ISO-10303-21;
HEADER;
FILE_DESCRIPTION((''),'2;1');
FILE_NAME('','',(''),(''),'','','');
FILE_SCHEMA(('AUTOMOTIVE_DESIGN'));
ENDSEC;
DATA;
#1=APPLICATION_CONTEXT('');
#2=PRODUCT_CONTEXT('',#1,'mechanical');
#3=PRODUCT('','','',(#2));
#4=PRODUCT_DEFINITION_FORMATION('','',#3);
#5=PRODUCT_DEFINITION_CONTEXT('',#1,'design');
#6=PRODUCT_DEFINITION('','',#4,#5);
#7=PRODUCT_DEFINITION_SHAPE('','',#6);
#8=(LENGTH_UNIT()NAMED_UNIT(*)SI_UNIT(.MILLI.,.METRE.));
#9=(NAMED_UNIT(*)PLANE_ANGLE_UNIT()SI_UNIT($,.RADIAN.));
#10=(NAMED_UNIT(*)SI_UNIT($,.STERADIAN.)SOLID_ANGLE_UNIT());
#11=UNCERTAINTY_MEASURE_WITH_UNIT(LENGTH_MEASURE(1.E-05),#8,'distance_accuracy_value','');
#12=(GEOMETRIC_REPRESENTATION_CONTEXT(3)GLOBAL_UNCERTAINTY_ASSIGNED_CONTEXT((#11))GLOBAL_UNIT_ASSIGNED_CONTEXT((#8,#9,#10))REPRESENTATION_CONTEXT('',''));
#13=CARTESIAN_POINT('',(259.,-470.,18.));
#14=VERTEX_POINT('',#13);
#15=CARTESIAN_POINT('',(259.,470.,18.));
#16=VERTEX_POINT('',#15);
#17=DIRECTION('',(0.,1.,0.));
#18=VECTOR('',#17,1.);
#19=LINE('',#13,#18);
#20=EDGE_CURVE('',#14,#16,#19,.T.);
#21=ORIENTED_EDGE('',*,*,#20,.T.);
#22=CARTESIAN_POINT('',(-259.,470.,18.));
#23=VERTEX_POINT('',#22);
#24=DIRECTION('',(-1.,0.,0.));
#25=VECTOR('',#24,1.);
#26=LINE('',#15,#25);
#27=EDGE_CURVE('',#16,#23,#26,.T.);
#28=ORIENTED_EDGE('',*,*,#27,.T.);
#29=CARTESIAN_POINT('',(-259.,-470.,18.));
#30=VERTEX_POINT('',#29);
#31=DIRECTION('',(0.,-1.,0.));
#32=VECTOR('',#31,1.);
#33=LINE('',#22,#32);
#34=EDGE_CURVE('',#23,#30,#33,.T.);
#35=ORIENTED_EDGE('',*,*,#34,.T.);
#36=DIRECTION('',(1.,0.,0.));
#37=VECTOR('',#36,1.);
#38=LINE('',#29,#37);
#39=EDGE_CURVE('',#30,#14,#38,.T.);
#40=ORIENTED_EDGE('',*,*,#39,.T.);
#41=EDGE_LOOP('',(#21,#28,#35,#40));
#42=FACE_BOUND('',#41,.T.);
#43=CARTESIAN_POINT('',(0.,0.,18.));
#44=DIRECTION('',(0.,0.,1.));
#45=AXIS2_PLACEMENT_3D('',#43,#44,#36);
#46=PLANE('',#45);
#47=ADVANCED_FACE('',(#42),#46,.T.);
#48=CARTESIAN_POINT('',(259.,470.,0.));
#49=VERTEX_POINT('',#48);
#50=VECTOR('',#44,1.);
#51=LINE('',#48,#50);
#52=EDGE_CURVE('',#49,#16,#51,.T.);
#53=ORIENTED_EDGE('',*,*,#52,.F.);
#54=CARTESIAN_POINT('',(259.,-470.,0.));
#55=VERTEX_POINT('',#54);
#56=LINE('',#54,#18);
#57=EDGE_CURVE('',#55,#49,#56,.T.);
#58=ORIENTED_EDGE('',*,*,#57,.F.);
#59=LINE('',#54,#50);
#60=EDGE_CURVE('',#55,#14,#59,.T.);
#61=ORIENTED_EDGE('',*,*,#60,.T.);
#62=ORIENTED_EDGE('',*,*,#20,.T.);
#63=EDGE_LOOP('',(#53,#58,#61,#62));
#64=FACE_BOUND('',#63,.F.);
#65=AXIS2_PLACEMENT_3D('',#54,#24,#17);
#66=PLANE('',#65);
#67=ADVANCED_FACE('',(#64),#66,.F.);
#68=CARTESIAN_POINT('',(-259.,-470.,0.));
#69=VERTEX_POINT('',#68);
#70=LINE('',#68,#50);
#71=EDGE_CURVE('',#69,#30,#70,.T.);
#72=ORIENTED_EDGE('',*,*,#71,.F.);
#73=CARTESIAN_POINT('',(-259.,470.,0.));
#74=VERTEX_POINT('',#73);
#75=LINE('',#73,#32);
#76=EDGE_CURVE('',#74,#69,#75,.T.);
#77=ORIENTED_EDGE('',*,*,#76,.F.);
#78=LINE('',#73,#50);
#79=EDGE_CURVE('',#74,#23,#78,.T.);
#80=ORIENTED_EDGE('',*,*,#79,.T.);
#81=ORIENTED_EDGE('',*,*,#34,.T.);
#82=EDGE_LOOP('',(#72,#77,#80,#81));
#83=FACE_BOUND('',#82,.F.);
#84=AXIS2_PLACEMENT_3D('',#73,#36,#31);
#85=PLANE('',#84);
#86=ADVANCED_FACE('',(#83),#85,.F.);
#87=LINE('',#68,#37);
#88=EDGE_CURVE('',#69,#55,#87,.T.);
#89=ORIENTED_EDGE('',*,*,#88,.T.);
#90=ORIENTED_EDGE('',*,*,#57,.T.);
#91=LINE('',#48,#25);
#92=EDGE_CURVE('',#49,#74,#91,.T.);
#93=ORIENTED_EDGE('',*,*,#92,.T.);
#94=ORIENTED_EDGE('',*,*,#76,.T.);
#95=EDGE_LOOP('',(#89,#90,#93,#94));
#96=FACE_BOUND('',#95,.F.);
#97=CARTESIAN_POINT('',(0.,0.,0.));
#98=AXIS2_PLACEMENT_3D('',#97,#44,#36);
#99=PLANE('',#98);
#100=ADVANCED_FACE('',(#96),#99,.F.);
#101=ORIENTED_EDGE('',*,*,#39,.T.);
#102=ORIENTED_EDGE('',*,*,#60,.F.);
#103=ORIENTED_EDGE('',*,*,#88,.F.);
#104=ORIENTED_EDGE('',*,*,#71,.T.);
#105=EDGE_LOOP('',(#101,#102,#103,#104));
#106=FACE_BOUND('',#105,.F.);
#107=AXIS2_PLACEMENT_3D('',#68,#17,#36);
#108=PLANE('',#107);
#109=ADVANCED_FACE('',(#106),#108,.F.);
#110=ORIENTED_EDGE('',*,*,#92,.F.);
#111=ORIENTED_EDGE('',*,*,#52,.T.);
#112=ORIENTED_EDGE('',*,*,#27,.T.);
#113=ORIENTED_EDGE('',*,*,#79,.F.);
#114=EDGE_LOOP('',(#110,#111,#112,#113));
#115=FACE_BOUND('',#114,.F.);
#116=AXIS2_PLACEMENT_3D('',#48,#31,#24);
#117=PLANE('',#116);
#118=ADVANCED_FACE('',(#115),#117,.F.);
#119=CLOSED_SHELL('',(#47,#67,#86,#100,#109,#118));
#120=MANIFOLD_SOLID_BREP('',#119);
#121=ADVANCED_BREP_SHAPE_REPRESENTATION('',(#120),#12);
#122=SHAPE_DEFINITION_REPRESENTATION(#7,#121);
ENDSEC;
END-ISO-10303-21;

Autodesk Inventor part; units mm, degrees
ref_plane "YZ Plane" through (0, 0, 0) normal (1, 0, 0) x (0, 1, 0)
ref_plane "XZ Plane" through (0, 0, 0) normal (0, 1, 0) x (-1, 0, 0)
ref_plane "XY Plane" through (0, 0, 0) normal (0, 0, 1) x (1, 0, 0)
sketch "Sketch1" plane through (0, 0, 0) normal (0, 0, 1) x (1, 0, 0)
  line L0 (-259, -470) -> (259, -470)
  line L1 (259, -470) -> (259, 470)
  line L2 (259, 470) -> (-259, 470)
  line L3 (-259, 470) -> (-259, -470)
  line L4 (-259, -470) -> (259, 470) construction
  line L5 (259, -470) -> (-259, 470) construction
  point P0 (0, 0)
  dimension "d0" = 518
  dimension "d1" = 940
extrude "Extrusion1" add sketch "Sketch1" along normal blind 18
properties part number "wozek-przegroda"
